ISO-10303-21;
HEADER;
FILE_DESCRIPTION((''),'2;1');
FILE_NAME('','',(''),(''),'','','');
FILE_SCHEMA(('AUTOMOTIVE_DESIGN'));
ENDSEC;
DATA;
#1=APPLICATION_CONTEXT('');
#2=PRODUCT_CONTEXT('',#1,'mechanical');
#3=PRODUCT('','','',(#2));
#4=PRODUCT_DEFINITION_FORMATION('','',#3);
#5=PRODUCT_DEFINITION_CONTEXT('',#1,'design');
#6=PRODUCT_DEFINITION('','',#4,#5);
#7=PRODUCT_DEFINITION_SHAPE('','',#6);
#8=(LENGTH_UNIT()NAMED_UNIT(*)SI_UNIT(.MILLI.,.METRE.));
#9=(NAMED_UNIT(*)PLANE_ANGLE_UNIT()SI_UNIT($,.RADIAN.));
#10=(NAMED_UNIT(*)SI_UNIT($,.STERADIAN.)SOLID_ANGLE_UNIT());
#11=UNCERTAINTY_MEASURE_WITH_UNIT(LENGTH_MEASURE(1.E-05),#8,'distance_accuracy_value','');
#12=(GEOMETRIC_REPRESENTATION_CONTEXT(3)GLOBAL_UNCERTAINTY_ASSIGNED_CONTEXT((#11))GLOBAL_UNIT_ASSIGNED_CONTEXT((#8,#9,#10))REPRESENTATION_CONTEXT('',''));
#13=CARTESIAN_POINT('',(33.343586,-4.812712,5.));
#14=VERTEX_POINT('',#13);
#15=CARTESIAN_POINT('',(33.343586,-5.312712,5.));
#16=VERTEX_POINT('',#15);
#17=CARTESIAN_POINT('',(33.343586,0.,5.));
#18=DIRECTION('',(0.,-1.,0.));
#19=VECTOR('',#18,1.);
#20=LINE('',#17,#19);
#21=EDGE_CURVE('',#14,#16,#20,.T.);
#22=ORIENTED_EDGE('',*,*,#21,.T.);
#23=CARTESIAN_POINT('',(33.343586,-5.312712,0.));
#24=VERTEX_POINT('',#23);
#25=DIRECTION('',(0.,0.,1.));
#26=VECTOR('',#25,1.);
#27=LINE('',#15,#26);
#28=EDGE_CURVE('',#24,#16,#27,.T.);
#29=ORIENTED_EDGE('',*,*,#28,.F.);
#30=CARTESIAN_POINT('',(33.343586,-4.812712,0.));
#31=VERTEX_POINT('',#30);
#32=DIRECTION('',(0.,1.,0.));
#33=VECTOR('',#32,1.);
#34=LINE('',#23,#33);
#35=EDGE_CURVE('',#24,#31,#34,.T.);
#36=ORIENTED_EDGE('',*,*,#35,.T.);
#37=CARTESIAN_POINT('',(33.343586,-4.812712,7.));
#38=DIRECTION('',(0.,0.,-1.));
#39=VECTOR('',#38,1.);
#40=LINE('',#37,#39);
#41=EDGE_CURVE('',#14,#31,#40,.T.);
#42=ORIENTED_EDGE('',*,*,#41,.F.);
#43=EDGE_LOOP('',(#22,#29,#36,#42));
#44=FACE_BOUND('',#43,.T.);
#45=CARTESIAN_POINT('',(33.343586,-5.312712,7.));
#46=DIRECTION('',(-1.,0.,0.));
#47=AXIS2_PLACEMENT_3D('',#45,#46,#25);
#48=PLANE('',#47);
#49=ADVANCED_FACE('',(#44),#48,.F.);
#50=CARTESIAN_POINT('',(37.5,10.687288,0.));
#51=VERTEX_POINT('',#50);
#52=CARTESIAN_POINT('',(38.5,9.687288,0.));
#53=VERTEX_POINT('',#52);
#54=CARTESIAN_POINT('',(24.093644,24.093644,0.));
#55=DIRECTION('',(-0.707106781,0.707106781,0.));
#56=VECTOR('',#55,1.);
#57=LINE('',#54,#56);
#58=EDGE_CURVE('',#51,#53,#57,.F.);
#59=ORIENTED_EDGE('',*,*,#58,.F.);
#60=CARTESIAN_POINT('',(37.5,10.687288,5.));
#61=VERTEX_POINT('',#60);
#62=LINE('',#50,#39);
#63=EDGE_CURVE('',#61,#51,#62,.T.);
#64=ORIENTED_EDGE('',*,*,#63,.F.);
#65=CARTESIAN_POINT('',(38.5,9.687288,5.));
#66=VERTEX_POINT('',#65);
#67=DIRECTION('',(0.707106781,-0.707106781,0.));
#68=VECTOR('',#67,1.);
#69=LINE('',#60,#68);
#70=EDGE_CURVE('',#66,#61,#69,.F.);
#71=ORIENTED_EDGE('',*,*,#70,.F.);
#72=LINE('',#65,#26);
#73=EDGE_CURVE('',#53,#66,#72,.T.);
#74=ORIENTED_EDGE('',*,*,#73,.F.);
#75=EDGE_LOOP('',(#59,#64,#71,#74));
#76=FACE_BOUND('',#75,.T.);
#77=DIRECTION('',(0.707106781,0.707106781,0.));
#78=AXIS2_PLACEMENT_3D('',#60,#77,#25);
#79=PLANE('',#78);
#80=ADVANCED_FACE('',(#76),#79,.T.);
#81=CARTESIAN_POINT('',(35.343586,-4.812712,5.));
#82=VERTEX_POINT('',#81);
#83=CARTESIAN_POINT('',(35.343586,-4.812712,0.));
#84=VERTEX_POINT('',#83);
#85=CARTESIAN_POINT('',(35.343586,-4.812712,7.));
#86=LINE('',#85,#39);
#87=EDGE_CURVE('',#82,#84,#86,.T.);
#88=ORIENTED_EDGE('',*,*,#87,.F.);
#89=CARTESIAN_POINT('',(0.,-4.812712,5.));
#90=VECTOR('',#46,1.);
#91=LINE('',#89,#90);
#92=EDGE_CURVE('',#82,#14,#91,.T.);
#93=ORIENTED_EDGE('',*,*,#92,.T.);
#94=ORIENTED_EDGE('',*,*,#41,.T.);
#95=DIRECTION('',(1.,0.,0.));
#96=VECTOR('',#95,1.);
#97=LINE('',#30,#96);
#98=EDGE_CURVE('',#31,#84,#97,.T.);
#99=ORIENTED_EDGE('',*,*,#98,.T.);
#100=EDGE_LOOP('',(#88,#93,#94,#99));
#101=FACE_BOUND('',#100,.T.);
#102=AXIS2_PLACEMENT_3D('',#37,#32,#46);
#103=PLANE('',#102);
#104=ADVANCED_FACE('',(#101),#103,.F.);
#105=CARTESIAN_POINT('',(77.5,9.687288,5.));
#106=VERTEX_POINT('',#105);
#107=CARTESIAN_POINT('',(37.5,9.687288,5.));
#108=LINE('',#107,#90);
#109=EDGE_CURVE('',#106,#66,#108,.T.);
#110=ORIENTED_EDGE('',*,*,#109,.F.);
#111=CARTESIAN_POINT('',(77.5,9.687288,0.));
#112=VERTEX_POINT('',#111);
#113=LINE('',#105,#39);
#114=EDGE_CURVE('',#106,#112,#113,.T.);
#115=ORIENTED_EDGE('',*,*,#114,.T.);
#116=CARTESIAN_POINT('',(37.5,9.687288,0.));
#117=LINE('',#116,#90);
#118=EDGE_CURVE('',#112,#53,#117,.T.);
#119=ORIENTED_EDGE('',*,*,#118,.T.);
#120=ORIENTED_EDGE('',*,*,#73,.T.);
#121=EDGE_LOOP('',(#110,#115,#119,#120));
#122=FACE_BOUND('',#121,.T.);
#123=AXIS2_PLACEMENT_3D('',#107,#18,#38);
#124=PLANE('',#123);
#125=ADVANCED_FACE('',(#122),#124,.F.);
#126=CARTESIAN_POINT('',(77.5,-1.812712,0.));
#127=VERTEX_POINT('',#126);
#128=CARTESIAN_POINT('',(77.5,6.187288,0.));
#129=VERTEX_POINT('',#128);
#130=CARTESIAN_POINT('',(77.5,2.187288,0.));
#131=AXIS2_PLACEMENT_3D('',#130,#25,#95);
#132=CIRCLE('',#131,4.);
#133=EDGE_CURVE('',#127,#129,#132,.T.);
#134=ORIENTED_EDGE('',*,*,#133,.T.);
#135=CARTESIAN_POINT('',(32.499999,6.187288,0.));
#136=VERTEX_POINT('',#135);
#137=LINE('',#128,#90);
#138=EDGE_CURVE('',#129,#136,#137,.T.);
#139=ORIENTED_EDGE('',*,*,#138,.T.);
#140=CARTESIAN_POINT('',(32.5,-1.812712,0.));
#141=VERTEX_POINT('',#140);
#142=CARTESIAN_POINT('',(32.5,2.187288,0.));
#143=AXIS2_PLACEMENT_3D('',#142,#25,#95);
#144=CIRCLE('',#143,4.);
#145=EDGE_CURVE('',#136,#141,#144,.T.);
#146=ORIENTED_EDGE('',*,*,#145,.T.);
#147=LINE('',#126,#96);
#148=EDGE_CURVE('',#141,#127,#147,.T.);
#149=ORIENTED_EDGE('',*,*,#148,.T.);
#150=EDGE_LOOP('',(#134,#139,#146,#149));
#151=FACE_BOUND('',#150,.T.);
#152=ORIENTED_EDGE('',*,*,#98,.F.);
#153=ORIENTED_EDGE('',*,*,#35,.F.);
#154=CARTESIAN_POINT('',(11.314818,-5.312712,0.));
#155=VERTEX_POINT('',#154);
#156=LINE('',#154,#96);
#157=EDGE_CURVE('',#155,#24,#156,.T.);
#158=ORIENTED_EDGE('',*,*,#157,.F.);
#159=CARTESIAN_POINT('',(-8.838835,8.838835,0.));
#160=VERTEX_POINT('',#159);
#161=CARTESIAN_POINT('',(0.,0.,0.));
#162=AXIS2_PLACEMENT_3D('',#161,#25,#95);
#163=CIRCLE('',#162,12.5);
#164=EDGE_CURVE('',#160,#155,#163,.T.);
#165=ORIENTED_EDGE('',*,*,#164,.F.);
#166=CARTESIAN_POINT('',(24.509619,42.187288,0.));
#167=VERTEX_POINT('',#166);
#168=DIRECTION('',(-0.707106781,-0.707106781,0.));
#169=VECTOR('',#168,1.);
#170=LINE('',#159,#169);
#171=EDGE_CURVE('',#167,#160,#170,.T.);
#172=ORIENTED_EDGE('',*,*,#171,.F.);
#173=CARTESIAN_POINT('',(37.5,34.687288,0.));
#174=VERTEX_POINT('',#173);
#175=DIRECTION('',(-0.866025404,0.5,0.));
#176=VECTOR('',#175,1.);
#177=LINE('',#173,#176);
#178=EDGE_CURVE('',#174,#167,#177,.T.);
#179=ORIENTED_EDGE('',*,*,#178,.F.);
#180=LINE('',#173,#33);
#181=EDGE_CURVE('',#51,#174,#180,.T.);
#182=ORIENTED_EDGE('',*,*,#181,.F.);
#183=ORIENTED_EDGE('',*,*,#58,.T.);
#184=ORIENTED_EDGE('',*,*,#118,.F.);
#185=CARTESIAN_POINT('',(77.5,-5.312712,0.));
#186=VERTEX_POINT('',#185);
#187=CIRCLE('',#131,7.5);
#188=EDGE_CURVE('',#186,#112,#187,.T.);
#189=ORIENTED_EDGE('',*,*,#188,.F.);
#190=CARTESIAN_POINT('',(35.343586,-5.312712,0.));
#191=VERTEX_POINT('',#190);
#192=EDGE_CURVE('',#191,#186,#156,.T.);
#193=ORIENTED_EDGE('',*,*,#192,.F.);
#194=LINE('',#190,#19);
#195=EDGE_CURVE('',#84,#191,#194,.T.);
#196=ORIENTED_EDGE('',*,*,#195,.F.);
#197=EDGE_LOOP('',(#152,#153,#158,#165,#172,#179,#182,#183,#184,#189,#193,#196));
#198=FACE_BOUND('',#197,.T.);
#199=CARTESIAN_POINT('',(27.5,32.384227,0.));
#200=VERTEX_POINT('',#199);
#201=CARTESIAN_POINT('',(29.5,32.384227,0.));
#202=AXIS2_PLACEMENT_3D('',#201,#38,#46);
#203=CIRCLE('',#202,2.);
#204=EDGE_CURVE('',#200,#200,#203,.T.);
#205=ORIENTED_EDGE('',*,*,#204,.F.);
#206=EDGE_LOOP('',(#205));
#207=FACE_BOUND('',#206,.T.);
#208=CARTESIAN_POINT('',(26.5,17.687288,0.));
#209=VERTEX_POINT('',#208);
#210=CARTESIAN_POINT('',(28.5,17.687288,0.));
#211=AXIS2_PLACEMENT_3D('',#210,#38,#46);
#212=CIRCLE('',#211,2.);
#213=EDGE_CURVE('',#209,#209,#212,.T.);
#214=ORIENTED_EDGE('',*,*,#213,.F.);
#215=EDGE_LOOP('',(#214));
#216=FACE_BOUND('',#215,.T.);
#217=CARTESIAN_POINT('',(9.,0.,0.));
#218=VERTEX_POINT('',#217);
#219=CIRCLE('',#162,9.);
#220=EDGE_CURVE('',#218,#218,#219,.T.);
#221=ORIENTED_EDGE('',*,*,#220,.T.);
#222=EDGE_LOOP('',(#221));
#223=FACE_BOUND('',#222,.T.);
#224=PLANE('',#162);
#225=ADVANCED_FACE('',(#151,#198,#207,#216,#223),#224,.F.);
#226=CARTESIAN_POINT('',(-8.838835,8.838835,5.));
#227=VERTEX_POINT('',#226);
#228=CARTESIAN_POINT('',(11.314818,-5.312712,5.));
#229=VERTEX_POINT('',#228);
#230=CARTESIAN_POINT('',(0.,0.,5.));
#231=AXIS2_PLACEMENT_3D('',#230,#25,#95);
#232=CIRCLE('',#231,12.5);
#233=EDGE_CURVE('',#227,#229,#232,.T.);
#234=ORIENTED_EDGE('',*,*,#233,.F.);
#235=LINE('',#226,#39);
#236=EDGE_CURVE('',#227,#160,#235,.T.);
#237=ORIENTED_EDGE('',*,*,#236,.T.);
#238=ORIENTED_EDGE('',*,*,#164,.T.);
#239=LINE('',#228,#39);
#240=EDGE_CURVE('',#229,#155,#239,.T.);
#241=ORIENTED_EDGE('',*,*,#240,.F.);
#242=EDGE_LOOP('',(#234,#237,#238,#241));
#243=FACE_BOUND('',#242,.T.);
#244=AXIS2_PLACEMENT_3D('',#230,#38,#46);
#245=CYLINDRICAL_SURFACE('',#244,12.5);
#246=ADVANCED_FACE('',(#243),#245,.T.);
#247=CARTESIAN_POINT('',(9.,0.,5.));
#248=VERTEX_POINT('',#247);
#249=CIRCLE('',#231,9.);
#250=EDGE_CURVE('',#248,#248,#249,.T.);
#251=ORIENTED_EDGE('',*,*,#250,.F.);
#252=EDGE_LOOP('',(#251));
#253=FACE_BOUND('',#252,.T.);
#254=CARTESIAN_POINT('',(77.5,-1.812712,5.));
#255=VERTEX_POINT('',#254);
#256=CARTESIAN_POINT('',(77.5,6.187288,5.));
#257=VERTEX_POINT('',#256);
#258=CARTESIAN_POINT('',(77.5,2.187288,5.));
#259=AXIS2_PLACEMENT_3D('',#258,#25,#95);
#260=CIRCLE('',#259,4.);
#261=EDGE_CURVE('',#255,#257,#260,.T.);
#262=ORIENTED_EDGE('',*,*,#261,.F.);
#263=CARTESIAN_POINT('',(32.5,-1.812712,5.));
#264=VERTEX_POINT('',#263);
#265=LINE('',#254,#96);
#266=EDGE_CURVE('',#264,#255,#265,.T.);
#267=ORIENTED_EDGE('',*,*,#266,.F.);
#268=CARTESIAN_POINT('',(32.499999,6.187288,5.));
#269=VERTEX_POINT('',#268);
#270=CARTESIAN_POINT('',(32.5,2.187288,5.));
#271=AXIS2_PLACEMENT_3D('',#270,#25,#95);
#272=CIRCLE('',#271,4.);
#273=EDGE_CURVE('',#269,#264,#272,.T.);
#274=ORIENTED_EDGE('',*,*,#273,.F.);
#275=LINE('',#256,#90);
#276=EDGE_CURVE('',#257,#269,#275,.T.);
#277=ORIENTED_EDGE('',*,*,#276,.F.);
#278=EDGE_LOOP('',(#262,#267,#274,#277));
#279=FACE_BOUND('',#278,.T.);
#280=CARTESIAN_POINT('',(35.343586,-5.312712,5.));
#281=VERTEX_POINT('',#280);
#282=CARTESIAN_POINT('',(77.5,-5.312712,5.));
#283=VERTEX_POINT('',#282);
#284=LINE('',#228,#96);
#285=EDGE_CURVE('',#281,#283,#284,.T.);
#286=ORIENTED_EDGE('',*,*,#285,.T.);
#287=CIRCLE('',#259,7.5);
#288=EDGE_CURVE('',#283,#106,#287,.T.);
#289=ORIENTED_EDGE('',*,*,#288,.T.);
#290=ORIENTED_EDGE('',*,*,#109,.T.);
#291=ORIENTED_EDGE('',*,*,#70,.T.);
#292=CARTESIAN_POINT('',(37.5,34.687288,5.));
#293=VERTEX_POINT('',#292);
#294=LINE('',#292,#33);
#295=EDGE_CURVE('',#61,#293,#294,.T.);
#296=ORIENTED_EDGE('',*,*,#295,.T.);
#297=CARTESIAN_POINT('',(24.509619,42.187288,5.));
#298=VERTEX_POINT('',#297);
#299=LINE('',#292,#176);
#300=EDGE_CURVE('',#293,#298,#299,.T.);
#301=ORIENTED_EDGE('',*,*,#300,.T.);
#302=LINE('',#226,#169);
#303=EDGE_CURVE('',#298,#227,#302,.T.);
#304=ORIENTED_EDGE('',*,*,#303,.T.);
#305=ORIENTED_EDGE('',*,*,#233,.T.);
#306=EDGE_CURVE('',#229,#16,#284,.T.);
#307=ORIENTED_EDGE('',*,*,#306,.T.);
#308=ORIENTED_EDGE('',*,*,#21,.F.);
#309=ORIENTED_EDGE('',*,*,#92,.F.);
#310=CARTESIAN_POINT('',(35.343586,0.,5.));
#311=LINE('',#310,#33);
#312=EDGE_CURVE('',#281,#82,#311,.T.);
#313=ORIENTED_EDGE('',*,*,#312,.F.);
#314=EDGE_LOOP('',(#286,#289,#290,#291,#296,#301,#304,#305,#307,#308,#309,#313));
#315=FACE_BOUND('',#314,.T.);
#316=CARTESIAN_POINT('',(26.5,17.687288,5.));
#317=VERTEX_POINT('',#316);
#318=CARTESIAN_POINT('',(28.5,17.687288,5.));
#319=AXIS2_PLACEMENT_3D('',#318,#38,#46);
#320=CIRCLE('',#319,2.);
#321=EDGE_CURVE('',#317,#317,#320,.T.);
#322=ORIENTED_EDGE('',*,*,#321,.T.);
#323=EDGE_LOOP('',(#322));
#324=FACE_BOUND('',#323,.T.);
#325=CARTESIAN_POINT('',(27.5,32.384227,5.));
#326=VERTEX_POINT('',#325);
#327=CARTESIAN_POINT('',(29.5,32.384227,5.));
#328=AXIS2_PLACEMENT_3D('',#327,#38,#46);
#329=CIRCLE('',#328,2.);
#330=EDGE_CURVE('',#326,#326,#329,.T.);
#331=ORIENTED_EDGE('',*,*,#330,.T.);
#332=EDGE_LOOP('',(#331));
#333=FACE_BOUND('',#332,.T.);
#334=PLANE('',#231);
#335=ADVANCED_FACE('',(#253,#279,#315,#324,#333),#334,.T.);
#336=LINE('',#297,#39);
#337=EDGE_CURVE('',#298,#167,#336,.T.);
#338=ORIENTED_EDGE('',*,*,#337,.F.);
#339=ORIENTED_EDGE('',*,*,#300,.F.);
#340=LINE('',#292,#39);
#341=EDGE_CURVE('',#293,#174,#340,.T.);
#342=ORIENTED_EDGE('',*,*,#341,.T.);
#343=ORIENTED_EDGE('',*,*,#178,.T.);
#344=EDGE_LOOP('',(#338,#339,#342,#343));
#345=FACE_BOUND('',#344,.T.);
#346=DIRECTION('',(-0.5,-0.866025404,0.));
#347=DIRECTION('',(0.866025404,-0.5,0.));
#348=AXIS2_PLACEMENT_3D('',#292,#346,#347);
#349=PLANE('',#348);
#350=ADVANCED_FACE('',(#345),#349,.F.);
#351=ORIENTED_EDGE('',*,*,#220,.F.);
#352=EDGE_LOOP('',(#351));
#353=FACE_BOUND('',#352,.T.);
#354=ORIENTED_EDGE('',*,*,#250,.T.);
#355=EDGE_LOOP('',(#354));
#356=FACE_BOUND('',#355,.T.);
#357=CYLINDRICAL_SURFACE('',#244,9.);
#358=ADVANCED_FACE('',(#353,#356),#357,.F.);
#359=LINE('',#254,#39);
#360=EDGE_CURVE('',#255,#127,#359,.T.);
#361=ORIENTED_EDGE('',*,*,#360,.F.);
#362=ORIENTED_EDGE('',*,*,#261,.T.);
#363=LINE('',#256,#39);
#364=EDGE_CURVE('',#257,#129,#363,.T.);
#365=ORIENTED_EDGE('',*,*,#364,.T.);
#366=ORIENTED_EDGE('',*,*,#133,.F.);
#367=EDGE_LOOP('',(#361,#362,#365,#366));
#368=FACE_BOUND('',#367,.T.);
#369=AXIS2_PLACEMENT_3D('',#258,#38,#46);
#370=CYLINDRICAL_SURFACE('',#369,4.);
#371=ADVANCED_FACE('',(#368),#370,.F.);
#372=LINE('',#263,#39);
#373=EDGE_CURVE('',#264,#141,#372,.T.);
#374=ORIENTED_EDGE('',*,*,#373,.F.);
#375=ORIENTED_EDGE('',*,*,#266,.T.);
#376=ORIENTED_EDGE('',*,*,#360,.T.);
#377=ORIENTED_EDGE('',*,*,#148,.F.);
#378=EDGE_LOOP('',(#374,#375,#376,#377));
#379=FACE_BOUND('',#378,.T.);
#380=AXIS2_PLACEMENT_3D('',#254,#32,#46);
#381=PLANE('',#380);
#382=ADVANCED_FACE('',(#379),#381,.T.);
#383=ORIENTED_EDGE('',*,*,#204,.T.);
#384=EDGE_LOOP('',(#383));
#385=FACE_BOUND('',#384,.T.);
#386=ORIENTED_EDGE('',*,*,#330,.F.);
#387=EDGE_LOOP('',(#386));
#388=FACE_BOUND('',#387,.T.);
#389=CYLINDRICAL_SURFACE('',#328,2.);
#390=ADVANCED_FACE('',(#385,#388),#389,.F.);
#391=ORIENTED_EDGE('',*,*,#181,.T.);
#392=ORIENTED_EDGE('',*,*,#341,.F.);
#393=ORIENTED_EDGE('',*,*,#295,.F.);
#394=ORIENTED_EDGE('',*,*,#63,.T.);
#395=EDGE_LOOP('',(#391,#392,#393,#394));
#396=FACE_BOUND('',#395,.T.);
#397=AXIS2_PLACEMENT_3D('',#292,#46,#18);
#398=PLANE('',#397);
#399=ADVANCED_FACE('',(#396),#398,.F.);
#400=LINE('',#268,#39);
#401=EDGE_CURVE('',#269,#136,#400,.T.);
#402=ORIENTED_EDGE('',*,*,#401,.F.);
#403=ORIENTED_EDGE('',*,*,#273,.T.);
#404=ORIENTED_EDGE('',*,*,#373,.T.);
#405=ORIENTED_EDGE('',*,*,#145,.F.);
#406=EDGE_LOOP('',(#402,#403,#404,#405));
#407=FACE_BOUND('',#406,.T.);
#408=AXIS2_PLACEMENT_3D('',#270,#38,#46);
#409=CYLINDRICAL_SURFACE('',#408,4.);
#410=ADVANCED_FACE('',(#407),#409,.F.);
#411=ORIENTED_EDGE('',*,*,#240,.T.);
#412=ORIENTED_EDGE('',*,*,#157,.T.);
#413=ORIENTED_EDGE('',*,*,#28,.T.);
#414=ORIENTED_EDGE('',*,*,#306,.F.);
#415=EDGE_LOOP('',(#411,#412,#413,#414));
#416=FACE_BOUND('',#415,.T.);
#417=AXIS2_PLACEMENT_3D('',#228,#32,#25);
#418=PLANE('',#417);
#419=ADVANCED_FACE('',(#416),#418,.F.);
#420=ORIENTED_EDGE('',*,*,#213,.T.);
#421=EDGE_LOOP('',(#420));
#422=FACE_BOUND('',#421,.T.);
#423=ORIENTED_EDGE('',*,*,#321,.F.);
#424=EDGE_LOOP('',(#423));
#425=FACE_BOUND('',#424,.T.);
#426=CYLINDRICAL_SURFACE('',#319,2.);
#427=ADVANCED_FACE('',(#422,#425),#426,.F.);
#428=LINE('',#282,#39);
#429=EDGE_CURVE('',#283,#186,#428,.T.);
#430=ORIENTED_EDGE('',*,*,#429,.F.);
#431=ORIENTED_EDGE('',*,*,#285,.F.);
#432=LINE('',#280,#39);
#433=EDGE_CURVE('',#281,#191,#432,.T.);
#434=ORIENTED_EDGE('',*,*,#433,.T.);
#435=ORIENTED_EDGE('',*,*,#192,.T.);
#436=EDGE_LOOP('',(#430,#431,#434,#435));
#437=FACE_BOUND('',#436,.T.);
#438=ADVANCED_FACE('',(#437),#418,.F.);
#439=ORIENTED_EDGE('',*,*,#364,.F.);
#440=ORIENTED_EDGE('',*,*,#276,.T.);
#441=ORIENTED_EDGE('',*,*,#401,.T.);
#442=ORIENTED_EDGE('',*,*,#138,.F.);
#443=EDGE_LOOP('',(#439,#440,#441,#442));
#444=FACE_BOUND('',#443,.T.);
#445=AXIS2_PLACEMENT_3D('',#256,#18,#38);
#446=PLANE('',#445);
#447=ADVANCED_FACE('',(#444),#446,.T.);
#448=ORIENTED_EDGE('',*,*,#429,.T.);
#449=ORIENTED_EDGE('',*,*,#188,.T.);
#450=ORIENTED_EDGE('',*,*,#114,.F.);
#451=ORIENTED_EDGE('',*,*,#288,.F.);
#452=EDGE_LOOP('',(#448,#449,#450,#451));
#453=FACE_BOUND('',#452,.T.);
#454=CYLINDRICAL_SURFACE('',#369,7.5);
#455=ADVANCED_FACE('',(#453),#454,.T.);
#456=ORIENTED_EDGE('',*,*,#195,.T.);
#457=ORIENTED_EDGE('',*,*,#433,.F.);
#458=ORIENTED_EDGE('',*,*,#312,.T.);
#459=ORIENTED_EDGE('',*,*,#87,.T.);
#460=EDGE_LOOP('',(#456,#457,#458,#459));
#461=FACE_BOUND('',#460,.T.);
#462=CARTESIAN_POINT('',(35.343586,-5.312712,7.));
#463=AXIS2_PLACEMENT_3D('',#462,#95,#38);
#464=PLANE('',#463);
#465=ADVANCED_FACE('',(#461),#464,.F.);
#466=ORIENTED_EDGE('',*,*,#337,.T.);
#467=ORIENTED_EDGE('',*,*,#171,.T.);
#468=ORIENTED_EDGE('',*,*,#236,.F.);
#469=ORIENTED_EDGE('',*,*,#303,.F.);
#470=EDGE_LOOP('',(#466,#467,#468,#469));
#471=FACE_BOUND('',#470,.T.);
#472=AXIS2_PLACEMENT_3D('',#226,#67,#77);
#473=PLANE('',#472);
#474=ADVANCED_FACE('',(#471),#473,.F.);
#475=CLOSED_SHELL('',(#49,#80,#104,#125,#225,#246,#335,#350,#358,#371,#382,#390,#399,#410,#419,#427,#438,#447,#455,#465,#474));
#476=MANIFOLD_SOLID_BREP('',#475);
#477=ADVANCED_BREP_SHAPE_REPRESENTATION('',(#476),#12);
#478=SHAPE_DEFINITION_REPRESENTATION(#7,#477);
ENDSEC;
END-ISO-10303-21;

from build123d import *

# Parameters (mm, degrees)
SKETCH_1_R          = 9
EXTRUDE_1_DEPTH     = 5
SKETCH_2_R          = 2
CUT_EXTRUDE_1_DEPTH = 5
CHAMFER_1_SIZE      = 1
SKETCH_3_W          = 2
SKETCH_3_H          = 0.5
CUT_EXTRUDE_2_DEPTH = 7


with BuildPart() as part:
    # 草图1 → 凸台-拉伸1 (new body)
    with BuildSketch(Plane.XY):
        with BuildLine():
            Line((37.5, 34.687288473), (37.5, 9.687288473))
            Line((37.5, 9.687288473), (77.5, 9.687288473))
            ThreePointArc((77.5, 9.687288473), (85, 2.187288473), (77.5, -5.312711527))
            Line((77.5, -5.312711527), (11.314817552, -5.312711527))
            ThreePointArc((11.314817552, -5.312711527), (-7.183257499, -10.229897932), (-8.838834765, 8.838834765))
            Line((-8.838834765, 8.838834765), (24.509618943, 42.187288473))
            Line((24.509618943, 42.187288473), (37.5, 34.687288473))
        make_face()
        Circle(SKETCH_1_R, mode=Mode.SUBTRACT)
        with BuildLine():
            Line((77.5, 6.187288473), (32.499999279, 6.187288473))
            ThreePointArc((32.499999279, 6.187288473), (28.5, 2.187288113), (32.5, -1.812711527))
            Line((32.5, -1.812711527), (77.5, -1.812711527))
            ThreePointArc((77.5, -1.812711527), (81.5, 2.187288473), (77.5, 6.187288473))
        make_face(mode=Mode.SUBTRACT)
    extrude(amount=EXTRUDE_1_DEPTH)

    # 草图2 → 切除-拉伸1 (cut)
    with BuildSketch(Plane(origin=(0, 0, 0), x_dir=(-1, 0, 0), z_dir=(0, 0, -1))):
        with Locations((-28.5, 17.687288473)):
            Circle(SKETCH_2_R)
        with Locations((-29.5, 32.38422693)):
            Circle(SKETCH_2_R)
    extrude(amount=-CUT_EXTRUDE_1_DEPTH, mode=Mode.SUBTRACT)

    # 倒角1
    chamfer_1_edges = [part.edges().sort_by_distance(p)[0] for p in [
        (37.5, 9.687288473, 2.5),
    ]]
    chamfer(chamfer_1_edges, length=CHAMFER_1_SIZE)

    # 草图3 → 切除-拉伸2 (cut)
    with BuildSketch(Plane(origin=(0, 0, 0), x_dir=(-1, 0, 0), z_dir=(0, 0, -1))):
        with Locations((-34.343585868, -5.062711527)):
            Rectangle(SKETCH_3_W, SKETCH_3_H)
    extrude(amount=-CUT_EXTRUDE_2_DEPTH, mode=Mode.SUBTRACT)


solid = part.part
